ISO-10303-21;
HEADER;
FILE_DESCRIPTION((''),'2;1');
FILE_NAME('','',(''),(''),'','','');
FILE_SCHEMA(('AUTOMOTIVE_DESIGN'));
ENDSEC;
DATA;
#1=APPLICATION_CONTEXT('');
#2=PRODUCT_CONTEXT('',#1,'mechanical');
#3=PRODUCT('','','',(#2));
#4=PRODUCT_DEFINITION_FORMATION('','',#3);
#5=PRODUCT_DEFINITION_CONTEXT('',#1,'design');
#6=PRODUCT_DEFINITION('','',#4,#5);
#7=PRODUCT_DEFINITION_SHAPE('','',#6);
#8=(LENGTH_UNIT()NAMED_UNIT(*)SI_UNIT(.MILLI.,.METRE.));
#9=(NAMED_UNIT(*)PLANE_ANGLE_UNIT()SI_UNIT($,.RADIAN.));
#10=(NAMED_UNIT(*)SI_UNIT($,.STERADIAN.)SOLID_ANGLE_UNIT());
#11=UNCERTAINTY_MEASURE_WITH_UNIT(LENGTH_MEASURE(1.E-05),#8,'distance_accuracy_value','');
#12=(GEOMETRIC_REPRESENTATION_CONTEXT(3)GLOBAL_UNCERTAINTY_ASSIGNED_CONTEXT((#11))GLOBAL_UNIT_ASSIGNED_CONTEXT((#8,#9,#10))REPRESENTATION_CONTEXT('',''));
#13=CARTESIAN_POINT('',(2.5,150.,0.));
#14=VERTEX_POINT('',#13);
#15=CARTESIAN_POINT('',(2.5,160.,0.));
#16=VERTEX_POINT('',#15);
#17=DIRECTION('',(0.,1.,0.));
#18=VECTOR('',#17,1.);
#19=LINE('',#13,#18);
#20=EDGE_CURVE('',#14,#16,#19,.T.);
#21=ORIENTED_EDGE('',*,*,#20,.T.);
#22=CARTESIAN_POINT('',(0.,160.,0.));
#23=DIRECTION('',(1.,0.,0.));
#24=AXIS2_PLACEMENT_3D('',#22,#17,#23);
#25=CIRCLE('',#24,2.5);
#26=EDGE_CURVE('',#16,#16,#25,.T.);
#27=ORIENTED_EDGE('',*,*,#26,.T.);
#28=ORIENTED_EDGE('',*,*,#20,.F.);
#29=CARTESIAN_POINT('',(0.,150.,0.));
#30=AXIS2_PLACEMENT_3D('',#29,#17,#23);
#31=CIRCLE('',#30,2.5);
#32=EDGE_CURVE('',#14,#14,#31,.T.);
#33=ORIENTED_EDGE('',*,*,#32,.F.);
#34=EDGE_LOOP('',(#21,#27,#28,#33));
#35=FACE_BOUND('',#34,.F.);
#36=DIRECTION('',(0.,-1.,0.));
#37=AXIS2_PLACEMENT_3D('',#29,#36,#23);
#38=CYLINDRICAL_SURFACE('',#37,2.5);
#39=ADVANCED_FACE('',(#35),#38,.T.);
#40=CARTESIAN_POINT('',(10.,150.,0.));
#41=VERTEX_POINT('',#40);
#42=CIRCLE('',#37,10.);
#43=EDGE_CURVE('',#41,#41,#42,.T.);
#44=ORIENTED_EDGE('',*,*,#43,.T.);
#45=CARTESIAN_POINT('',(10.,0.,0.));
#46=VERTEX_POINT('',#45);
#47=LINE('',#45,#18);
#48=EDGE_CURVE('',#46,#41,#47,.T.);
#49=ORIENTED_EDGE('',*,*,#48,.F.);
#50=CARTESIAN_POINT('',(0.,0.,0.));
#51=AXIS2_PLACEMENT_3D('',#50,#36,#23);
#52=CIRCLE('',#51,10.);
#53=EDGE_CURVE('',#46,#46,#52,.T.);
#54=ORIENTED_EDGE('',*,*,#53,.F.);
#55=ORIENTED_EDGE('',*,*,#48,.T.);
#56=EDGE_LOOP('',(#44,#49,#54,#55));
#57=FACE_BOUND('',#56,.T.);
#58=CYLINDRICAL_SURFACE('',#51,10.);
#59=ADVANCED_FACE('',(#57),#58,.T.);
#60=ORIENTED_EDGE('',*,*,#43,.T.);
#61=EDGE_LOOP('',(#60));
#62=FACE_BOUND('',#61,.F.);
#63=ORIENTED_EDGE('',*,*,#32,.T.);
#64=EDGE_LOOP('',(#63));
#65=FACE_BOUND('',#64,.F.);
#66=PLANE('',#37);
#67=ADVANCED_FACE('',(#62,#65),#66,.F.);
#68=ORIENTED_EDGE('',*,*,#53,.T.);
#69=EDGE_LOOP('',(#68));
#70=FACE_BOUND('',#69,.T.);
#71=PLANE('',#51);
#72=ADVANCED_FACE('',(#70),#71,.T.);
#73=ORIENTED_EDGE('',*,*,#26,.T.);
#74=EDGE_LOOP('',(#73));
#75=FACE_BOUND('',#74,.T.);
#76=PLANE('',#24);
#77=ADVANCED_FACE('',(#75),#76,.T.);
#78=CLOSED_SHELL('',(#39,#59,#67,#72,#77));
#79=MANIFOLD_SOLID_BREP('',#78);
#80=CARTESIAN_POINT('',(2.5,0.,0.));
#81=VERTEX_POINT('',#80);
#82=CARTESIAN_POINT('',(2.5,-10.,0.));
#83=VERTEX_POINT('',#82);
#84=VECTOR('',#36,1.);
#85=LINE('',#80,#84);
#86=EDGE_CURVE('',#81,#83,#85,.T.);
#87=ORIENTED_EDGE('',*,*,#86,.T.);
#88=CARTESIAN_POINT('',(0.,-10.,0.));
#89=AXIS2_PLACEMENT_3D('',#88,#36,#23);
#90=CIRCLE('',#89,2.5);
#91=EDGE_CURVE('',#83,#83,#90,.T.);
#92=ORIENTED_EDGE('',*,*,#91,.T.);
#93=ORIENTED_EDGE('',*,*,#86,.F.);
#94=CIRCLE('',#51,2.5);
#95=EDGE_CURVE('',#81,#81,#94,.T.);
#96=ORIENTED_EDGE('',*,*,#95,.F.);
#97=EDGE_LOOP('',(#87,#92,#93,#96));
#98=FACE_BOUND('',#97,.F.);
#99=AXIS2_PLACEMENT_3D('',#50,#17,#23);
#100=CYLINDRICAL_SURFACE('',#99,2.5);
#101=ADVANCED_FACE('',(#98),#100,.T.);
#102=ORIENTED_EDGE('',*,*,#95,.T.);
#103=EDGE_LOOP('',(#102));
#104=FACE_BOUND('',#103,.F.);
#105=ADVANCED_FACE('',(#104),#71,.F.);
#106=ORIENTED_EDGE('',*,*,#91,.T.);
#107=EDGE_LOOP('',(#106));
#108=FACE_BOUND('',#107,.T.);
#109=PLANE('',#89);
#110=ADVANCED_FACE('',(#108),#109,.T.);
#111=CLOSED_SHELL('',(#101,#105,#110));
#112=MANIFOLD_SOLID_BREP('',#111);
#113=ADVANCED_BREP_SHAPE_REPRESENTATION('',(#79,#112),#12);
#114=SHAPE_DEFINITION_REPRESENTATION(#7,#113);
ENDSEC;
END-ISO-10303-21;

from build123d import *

# Parameters (mm, degrees)
F0_R     = 10
F1_DEPTH = 150
F3_R     = 2.5
F4_DEPTH = 10
F6_R     = 2.5
F7_DEPTH = 10


with BuildPart() as f1:
    # F0 (on Front) → F1 (new body)
    with BuildSketch(Plane.XZ):
        Circle(F0_R)
    extrude(amount=-F1_DEPTH)

    # F6 (on offset) → F7 (join)
    with BuildSketch(Plane(origin=(0, 150, 0), x_dir=(1, 0, 0), z_dir=(0, 1, 0))):
        Circle(F6_R)
    extrude(amount=F7_DEPTH)


with BuildPart() as f4:
    # F3 (on offset) → F4 (new body)
    with BuildSketch(Plane.XZ):
        Circle(F3_R)
    extrude(amount=F4_DEPTH)


solid = Compound([f1.part, f4.part])
